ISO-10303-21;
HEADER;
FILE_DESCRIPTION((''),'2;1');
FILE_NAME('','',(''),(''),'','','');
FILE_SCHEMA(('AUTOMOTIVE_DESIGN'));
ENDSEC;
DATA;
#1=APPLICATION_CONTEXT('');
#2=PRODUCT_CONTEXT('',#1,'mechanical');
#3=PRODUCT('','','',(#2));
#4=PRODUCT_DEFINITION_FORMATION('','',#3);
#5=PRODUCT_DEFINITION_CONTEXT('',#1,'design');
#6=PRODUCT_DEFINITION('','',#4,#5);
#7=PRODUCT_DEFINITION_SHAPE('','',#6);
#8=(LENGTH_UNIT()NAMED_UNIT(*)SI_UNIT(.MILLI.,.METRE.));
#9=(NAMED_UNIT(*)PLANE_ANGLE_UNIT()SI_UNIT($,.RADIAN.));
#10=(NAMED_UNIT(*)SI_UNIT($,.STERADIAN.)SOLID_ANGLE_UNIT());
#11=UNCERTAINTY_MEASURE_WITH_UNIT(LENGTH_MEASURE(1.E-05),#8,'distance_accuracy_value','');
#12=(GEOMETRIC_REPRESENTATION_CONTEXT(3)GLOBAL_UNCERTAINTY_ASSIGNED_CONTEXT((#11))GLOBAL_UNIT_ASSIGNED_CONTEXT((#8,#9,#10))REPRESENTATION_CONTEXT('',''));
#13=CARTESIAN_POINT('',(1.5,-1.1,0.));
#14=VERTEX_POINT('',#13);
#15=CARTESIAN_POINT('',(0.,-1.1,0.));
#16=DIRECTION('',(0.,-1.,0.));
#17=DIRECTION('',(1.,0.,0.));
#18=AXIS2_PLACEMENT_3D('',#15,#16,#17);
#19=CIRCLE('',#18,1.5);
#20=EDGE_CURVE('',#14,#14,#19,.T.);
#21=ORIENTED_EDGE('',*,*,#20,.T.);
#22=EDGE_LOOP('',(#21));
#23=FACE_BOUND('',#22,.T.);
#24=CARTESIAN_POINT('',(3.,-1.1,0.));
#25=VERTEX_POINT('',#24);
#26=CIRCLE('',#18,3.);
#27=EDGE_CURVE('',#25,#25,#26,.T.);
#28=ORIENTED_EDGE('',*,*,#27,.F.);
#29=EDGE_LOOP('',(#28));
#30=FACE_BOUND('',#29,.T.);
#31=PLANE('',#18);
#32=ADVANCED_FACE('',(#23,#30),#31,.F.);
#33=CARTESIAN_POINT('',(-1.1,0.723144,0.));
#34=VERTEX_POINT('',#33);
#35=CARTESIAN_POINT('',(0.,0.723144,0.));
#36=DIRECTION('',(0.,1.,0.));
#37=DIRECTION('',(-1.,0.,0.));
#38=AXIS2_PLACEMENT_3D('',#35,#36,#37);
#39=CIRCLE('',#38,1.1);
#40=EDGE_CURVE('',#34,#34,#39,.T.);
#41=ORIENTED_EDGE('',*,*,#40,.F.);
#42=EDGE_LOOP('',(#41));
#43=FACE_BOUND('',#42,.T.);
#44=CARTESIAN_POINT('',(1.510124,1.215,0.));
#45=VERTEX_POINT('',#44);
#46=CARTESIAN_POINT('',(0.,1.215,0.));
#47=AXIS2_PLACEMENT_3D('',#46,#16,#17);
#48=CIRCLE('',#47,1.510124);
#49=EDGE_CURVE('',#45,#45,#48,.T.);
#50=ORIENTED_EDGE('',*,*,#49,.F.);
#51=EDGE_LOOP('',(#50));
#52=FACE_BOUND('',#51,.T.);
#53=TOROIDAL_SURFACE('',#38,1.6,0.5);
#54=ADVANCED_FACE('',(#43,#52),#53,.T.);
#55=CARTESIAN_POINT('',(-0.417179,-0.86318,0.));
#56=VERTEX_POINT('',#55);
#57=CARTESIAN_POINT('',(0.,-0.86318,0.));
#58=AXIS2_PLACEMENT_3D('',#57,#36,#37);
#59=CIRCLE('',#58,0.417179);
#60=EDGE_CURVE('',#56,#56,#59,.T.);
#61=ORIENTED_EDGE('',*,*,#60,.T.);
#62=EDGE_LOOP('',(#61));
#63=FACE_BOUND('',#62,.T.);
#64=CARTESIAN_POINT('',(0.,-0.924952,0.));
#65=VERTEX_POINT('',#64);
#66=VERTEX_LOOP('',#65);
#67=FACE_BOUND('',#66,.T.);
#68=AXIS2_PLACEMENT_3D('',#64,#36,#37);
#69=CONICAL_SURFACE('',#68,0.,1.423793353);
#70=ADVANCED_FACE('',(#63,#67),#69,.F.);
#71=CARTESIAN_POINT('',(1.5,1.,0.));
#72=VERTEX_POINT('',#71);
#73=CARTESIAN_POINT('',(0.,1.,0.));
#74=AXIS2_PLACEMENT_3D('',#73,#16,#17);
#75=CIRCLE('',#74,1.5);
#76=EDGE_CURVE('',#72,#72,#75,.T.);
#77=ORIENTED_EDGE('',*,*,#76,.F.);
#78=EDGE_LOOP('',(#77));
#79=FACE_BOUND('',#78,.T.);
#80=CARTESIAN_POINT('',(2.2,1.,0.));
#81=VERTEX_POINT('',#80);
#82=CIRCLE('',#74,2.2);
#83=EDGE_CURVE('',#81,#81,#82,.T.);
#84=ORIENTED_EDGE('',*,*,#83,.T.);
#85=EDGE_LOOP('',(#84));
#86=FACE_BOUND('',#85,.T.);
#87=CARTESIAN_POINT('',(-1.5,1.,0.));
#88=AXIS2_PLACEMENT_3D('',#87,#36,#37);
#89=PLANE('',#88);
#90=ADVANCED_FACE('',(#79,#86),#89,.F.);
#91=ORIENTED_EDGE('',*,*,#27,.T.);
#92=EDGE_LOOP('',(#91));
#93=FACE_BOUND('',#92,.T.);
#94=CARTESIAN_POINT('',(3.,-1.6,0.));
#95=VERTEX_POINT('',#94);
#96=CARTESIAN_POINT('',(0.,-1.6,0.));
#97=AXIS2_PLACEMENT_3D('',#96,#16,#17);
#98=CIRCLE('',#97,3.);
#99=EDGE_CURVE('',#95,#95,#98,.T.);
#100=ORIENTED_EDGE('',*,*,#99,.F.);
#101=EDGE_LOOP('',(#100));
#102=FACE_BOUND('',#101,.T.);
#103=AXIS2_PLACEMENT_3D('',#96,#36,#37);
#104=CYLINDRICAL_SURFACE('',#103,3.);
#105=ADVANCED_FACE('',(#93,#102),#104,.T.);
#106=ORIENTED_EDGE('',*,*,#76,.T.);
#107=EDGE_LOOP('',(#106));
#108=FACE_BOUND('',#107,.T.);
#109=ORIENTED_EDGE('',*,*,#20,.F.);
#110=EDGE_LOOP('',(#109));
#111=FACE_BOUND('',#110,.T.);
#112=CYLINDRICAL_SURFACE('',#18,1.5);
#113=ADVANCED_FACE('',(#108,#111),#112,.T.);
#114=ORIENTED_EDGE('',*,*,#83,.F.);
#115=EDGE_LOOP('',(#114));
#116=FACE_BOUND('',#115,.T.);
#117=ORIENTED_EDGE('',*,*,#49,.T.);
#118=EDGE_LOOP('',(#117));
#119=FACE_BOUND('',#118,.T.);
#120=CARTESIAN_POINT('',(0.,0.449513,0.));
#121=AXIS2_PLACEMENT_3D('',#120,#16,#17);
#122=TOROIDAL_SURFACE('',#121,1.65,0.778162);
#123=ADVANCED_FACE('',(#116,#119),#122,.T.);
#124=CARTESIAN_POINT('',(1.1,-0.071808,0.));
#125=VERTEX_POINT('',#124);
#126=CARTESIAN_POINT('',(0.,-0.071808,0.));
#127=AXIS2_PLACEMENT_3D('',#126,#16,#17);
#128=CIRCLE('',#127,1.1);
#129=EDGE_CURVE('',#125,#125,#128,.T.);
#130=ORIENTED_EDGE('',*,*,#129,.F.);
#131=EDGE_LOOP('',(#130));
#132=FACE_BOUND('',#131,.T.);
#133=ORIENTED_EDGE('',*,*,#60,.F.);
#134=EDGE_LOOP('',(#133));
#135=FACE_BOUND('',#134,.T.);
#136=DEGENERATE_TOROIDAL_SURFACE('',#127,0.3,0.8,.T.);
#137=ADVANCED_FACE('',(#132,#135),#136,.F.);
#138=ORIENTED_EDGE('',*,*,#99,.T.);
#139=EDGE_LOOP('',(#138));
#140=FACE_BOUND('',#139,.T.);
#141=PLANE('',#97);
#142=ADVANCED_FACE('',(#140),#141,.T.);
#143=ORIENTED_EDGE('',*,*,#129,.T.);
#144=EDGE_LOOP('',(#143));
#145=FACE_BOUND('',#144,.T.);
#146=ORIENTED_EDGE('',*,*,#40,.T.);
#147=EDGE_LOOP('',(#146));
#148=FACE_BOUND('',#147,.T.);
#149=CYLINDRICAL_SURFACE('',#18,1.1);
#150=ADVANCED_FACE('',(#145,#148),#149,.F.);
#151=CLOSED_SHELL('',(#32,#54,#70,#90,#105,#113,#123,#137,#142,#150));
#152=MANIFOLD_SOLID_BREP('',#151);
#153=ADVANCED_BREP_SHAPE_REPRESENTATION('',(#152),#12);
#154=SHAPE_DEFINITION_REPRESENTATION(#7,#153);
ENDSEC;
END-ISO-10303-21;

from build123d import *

# Parameters (mm, degrees)
FILLET1_R           = 0.8
FILLET2_R           = 0.5
SKETCH2_R           = 3
BOSS_EXTRUDE1_DEPTH = 0.5


with BuildPart() as part:
    # Sketch1 → Revolve1 (revolve)
    with BuildSketch(Plane.XY, mode=Mode.PRIVATE) as revolve1_sk:
        with BuildLine():
            Line((-1.5, 1), (-2.2, 1))
            ThreePointArc((-2.2, 1), (-1.65, 1.227674865), (-1.1, 1))
            Line((-1.1, 1), (-1.1, -0.762073649))
            Line((-1.1, -0.762073649), (0, -0.924951874))
            Line((0, -0.924951874), (0, -1.1))
            Line((0, -1.1), (-1.5, -1.1))
            Line((-1.5, -1.1), (-1.5, 1))
        make_face()
    revolve(revolve1_sk.sketch.rotate(Axis((0, -1.1, 0), (0, 1, 0)), 180), axis=Axis((0, -1.1, 0), (0, 1, 0)))

    # Fillet1
    fillet1_edges = [part.edges().sort_by_distance(p)[0] for p in [
        (-1.1, -0.762073649, 0),
    ]]
    fillet(fillet1_edges, radius=FILLET1_R)

    # Fillet2
    fillet2_edges = [part.edges().sort_by_distance(p)[0] for p in [
        (-1.1, 1, 0),
    ]]
    fillet(fillet2_edges, radius=FILLET2_R)

    # Sketch2 → Boss-Extrude1 (add)
    with BuildSketch(Plane.XZ.offset(1.1)):
        Circle(SKETCH2_R)
    extrude(amount=BOSS_EXTRUDE1_DEPTH)


solid = part.part
